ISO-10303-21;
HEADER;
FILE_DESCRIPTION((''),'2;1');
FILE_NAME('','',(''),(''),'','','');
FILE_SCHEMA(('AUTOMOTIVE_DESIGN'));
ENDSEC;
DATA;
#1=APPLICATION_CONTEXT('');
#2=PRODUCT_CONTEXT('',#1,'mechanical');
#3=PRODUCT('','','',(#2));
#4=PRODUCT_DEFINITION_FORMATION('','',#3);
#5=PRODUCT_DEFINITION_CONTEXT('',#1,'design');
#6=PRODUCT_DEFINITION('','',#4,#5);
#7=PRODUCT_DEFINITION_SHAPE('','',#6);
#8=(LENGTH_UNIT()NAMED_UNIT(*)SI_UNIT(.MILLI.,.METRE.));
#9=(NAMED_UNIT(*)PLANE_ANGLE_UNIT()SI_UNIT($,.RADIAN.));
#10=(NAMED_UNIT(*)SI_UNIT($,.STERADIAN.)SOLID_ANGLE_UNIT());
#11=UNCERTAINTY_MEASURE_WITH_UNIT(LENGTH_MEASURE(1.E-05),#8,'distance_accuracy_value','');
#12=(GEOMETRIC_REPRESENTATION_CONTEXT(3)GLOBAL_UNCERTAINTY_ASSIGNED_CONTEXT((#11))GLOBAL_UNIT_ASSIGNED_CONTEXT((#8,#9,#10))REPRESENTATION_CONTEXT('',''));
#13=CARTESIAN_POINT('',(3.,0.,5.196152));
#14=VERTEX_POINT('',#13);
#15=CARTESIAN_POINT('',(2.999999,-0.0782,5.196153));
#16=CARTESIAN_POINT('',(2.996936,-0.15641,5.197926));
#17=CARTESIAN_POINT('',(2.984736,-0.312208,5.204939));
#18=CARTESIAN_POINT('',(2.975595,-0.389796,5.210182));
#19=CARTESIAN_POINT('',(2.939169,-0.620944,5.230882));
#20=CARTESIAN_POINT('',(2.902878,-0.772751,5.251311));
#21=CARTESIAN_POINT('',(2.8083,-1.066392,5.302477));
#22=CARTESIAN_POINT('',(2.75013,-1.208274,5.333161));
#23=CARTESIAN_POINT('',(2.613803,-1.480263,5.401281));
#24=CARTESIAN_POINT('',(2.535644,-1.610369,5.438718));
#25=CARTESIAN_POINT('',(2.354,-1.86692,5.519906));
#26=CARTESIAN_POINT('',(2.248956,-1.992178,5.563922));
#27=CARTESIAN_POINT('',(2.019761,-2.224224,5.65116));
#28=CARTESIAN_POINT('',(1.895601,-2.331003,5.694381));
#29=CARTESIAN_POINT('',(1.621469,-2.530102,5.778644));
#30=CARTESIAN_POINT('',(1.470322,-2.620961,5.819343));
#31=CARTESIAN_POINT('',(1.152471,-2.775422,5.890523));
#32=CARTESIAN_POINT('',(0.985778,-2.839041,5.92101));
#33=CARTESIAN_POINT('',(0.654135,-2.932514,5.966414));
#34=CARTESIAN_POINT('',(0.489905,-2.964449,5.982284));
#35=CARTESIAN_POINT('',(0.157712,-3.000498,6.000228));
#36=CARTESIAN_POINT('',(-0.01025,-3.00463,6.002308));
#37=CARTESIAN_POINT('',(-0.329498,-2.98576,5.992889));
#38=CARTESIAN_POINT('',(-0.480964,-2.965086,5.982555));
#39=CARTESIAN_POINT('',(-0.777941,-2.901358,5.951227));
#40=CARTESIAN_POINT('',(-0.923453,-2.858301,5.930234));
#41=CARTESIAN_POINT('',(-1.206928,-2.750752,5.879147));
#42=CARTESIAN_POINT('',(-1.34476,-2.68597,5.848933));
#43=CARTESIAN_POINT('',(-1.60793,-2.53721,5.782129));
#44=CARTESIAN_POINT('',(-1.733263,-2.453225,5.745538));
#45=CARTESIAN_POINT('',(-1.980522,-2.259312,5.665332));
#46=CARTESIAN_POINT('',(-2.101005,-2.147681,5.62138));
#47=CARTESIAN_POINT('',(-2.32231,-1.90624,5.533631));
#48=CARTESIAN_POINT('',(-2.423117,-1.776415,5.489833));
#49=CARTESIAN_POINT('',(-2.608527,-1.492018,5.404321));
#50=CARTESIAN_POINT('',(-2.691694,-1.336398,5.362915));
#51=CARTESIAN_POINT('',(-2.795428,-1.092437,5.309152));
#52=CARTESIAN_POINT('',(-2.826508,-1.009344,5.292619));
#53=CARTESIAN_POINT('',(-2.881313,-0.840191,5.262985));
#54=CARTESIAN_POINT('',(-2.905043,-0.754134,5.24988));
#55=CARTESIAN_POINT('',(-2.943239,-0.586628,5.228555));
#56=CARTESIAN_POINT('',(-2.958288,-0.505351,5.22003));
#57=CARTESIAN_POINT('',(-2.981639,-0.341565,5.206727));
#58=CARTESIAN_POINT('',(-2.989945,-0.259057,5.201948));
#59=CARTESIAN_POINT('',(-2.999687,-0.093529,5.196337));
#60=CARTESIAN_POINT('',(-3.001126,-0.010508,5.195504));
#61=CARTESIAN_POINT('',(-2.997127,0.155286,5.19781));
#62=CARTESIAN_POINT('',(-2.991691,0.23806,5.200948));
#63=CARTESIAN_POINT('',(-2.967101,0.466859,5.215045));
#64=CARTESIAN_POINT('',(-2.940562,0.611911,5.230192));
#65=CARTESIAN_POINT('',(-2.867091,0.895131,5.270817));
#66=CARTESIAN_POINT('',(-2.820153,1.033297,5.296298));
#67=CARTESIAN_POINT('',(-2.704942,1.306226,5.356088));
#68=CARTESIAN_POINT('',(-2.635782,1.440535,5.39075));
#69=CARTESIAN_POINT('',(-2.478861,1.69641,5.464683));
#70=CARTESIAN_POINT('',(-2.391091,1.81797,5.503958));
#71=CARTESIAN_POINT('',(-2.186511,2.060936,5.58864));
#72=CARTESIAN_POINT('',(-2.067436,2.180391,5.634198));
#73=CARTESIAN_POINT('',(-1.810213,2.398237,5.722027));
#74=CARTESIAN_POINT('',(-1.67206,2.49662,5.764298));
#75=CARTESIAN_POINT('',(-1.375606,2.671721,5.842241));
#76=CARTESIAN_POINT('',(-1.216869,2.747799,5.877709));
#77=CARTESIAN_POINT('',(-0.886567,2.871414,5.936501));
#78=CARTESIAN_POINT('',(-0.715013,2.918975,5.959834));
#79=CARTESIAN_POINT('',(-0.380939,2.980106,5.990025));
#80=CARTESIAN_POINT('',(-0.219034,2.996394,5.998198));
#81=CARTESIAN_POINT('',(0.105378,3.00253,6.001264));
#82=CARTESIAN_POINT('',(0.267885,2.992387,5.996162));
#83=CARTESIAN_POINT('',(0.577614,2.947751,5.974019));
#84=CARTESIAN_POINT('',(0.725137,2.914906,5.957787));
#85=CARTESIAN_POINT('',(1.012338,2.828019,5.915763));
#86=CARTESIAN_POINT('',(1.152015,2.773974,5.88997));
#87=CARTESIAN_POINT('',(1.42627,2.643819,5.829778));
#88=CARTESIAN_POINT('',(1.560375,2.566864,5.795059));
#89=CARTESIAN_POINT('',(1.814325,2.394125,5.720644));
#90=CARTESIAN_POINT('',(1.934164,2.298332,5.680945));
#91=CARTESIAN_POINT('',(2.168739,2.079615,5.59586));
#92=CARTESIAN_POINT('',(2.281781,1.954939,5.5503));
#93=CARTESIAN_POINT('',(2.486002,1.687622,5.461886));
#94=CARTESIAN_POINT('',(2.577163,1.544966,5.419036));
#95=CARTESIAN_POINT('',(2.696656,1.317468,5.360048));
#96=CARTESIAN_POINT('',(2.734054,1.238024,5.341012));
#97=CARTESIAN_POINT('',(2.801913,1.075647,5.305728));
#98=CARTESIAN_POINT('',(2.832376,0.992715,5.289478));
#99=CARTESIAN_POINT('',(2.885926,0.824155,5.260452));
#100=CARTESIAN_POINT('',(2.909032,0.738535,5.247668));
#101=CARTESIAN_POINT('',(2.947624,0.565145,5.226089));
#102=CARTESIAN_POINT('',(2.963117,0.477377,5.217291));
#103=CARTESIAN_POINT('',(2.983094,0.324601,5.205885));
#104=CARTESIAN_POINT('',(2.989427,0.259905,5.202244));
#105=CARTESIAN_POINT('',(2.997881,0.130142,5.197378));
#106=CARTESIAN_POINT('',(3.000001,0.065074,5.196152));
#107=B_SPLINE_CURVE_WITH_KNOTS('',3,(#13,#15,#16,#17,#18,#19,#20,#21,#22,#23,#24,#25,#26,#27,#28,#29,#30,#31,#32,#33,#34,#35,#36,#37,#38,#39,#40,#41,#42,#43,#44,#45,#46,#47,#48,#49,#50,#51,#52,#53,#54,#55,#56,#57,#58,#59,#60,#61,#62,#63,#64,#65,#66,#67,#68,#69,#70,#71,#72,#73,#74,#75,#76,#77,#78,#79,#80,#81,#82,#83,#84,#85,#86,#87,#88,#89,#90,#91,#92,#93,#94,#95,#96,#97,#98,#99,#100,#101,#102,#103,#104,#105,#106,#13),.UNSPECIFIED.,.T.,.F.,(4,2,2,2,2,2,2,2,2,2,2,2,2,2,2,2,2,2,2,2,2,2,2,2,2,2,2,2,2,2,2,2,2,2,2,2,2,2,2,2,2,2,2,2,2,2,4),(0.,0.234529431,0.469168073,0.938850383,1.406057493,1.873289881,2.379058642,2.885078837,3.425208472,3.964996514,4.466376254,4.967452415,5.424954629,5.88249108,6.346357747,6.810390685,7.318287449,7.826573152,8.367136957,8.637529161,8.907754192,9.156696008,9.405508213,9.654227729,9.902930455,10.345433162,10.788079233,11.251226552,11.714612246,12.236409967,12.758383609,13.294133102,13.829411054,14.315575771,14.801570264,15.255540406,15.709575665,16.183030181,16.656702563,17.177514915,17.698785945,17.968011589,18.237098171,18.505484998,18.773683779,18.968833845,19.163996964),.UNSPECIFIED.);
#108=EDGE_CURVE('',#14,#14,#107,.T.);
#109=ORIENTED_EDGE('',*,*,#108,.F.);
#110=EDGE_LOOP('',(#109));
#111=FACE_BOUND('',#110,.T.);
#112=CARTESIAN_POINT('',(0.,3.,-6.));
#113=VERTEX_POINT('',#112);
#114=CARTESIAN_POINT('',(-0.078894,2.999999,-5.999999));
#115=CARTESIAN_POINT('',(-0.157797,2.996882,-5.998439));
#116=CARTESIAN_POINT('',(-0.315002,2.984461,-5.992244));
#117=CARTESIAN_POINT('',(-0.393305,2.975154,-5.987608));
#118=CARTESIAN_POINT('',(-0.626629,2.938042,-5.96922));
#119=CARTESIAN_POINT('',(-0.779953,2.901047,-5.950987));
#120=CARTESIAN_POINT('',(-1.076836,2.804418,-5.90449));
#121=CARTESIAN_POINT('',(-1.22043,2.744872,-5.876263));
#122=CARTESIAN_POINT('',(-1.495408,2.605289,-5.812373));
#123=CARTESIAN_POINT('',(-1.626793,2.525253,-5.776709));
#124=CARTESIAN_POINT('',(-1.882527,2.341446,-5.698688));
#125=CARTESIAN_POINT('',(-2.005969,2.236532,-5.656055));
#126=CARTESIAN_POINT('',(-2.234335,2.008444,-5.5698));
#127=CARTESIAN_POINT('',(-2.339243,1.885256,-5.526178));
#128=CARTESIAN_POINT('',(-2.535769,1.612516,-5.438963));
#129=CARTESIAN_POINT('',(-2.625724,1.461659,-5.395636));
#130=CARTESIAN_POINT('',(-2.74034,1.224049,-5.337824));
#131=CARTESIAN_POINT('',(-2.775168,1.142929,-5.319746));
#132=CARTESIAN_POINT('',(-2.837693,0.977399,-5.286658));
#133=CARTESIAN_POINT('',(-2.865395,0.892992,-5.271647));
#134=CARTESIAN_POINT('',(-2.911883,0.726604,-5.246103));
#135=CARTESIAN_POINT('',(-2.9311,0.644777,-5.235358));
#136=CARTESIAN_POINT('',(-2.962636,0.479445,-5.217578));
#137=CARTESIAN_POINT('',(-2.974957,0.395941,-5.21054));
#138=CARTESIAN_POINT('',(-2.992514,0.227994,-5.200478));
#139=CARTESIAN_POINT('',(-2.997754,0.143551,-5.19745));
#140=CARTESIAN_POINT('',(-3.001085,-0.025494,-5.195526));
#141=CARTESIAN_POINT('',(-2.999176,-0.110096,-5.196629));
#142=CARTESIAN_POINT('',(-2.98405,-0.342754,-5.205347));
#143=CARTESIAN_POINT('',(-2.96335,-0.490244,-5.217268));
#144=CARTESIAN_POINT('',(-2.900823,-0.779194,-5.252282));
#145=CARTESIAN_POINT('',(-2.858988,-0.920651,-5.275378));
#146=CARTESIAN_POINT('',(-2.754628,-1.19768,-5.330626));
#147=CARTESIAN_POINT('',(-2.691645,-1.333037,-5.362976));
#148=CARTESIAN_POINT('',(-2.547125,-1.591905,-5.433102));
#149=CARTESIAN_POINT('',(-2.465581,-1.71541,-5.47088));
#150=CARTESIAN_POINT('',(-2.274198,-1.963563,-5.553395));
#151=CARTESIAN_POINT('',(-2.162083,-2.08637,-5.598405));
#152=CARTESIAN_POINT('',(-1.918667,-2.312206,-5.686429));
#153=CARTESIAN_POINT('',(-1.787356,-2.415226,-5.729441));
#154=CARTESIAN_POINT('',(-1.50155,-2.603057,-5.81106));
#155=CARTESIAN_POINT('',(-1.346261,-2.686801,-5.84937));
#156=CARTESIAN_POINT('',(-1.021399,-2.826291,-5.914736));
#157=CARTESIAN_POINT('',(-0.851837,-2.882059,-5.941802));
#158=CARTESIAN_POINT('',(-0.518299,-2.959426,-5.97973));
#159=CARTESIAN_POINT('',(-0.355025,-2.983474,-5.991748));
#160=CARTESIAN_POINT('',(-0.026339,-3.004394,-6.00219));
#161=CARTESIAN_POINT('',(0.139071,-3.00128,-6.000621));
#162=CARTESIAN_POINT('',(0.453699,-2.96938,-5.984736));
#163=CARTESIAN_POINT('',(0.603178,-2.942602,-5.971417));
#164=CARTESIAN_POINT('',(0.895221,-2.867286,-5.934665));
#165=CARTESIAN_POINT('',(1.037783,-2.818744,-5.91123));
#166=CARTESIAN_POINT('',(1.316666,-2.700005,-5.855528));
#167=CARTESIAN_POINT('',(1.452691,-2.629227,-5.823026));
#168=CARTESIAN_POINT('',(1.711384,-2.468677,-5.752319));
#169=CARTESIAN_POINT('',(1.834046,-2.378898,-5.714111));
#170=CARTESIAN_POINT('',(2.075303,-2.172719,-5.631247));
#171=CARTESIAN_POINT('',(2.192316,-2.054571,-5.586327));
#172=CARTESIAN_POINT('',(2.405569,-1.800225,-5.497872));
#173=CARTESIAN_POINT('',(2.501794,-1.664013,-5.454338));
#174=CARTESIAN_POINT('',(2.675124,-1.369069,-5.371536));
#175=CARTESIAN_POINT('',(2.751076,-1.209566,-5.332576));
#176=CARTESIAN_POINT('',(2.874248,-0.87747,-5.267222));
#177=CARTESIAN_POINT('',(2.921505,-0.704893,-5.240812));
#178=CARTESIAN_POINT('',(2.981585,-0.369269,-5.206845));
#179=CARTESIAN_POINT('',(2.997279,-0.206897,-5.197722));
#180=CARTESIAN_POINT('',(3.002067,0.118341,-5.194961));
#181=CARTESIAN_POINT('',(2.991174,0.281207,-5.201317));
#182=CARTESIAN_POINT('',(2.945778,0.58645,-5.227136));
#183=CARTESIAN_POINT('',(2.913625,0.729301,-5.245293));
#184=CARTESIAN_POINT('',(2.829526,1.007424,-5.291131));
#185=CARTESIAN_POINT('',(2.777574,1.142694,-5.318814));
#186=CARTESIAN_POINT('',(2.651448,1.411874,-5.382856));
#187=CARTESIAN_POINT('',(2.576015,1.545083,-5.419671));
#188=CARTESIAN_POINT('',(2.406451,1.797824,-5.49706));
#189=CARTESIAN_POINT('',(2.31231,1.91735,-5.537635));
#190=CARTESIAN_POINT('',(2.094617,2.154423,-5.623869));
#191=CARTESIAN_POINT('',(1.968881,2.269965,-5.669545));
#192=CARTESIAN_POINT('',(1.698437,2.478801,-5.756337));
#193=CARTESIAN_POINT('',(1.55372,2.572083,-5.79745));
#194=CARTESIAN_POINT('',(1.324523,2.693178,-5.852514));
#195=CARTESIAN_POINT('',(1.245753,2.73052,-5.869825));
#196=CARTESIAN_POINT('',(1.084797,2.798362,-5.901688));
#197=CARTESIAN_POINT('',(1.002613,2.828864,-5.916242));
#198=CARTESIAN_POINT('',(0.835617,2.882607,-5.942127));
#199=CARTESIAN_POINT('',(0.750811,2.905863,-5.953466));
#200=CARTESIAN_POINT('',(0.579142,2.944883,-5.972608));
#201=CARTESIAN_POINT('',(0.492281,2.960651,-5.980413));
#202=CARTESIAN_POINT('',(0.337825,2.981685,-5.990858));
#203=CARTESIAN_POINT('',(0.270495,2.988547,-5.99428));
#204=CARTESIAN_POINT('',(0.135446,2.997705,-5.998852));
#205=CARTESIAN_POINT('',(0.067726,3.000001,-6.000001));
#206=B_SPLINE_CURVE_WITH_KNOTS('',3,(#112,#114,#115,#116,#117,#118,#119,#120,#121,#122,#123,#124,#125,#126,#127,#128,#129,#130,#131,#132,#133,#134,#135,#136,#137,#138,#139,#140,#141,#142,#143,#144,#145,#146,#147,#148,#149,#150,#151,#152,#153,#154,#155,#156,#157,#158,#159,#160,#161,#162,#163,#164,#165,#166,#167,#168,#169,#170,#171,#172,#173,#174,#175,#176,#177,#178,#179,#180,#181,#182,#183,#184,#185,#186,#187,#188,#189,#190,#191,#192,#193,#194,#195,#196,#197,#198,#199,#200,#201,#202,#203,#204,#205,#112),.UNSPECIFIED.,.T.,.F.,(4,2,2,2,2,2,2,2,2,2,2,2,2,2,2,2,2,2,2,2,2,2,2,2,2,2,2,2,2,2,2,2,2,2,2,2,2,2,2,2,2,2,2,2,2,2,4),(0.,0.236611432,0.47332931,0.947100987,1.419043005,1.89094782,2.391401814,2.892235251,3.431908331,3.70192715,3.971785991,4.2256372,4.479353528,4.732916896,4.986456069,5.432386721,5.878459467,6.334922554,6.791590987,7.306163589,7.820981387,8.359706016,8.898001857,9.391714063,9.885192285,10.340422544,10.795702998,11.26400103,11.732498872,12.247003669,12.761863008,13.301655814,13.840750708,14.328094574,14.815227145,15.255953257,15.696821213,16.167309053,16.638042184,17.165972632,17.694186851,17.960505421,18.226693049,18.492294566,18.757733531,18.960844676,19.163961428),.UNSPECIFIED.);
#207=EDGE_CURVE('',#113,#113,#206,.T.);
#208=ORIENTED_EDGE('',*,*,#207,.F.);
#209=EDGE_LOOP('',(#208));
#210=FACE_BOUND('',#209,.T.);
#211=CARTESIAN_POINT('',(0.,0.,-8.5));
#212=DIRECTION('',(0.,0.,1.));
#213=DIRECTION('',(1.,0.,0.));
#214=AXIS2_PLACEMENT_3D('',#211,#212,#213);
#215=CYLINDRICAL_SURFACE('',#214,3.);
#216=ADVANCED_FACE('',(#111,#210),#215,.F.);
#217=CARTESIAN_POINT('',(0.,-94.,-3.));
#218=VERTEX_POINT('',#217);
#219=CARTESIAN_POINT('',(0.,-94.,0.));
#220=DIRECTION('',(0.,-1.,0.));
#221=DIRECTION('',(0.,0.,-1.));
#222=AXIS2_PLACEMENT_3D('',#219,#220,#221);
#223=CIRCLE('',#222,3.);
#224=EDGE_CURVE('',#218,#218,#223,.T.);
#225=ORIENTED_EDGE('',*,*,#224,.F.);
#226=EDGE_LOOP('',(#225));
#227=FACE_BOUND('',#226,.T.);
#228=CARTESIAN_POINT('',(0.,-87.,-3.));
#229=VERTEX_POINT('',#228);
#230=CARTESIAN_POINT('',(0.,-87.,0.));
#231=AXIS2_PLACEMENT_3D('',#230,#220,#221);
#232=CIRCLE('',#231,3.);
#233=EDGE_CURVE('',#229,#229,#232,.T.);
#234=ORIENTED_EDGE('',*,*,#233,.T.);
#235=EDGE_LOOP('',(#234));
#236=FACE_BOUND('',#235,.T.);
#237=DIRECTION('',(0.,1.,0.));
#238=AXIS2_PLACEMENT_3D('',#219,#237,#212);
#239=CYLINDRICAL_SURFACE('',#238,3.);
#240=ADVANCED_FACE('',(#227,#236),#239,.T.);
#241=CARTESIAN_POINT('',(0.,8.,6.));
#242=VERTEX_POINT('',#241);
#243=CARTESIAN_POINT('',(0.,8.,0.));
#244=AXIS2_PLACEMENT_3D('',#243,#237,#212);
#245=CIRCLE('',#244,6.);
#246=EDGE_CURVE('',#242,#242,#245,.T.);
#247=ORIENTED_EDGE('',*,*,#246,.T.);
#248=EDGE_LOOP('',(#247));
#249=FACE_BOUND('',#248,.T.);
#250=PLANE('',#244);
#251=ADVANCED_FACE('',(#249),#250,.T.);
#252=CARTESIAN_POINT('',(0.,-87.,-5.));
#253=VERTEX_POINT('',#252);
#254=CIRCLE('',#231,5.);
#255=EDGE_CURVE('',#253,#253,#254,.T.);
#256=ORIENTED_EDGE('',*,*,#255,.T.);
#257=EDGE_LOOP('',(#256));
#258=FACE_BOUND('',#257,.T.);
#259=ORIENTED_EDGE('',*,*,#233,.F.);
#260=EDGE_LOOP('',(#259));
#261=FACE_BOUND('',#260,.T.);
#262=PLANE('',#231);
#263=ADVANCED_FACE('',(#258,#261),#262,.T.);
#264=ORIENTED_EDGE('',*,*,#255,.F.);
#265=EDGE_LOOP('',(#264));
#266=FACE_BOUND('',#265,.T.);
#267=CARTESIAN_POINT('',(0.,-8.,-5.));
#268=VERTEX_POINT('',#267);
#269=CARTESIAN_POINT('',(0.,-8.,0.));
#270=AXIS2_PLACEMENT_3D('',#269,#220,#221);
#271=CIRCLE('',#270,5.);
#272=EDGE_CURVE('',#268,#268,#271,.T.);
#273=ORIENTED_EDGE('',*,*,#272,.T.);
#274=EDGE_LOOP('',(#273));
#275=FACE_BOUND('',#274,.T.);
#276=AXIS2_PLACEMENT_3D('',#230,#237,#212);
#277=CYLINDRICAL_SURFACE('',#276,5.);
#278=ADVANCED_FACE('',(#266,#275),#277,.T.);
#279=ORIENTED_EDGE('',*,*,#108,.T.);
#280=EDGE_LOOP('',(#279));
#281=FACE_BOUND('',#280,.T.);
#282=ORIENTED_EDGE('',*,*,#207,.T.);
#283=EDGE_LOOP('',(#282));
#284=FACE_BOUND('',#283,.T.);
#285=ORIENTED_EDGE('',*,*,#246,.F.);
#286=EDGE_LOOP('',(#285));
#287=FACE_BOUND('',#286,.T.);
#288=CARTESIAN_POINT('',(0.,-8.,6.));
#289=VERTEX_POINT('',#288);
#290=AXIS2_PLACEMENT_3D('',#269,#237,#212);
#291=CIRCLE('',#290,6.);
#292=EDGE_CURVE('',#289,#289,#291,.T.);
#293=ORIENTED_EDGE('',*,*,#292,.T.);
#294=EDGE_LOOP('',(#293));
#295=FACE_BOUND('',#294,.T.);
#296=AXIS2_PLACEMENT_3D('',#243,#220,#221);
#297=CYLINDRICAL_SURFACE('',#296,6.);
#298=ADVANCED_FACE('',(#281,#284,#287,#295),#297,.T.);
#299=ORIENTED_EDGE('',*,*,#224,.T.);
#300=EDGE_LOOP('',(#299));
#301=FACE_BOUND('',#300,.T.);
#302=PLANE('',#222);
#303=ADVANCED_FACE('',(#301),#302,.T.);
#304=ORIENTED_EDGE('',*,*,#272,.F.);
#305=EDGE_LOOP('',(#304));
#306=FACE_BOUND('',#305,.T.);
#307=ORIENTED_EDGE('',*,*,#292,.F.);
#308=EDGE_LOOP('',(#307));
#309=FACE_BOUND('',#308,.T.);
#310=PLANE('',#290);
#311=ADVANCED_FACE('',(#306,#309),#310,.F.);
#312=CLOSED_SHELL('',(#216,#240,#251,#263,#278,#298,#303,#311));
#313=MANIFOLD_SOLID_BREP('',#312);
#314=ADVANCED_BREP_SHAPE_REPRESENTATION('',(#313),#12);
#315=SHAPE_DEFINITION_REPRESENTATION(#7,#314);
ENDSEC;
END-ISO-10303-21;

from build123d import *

# Parameters (mm, degrees)
SKETCH1_R           = 6
BOSS_EXTRUDE1_DEPTH = 8
SKETCH2_R           = 5
BOSS_EXTRUDE2_DEPTH = 79
SKETCH3_R           = 3
BOSS_EXTRUDE3_DEPTH = 7
SKETCH4_R           = 3
CUT_EXTRUDE1_DEPTH  = 8.5


with BuildPart() as part:
    # Sketch1 → Boss-Extrude1 (new body, symmetric)
    with BuildSketch(Plane(origin=(0, 0, 0), x_dir=(1, 0, 0), z_dir=(0, 1, 0))):
        Circle(SKETCH1_R)
    extrude(amount=BOSS_EXTRUDE1_DEPTH, both=True)

    # Sketch2 → Boss-Extrude2 (add)
    with BuildSketch(Plane.XZ.offset(8)):
        Circle(SKETCH2_R)
    extrude(amount=BOSS_EXTRUDE2_DEPTH)

    # Sketch3 → Boss-Extrude3 (add)
    with BuildSketch(Plane.XZ.offset(87)):
        Circle(SKETCH3_R)
    extrude(amount=BOSS_EXTRUDE3_DEPTH)

    # Sketch4 → Cut-Extrude1 (cut, symmetric)
    with BuildSketch(Plane.XY):
        Circle(SKETCH4_R)
    extrude(amount=CUT_EXTRUDE1_DEPTH, both=True, mode=Mode.SUBTRACT)


solid = part.part
